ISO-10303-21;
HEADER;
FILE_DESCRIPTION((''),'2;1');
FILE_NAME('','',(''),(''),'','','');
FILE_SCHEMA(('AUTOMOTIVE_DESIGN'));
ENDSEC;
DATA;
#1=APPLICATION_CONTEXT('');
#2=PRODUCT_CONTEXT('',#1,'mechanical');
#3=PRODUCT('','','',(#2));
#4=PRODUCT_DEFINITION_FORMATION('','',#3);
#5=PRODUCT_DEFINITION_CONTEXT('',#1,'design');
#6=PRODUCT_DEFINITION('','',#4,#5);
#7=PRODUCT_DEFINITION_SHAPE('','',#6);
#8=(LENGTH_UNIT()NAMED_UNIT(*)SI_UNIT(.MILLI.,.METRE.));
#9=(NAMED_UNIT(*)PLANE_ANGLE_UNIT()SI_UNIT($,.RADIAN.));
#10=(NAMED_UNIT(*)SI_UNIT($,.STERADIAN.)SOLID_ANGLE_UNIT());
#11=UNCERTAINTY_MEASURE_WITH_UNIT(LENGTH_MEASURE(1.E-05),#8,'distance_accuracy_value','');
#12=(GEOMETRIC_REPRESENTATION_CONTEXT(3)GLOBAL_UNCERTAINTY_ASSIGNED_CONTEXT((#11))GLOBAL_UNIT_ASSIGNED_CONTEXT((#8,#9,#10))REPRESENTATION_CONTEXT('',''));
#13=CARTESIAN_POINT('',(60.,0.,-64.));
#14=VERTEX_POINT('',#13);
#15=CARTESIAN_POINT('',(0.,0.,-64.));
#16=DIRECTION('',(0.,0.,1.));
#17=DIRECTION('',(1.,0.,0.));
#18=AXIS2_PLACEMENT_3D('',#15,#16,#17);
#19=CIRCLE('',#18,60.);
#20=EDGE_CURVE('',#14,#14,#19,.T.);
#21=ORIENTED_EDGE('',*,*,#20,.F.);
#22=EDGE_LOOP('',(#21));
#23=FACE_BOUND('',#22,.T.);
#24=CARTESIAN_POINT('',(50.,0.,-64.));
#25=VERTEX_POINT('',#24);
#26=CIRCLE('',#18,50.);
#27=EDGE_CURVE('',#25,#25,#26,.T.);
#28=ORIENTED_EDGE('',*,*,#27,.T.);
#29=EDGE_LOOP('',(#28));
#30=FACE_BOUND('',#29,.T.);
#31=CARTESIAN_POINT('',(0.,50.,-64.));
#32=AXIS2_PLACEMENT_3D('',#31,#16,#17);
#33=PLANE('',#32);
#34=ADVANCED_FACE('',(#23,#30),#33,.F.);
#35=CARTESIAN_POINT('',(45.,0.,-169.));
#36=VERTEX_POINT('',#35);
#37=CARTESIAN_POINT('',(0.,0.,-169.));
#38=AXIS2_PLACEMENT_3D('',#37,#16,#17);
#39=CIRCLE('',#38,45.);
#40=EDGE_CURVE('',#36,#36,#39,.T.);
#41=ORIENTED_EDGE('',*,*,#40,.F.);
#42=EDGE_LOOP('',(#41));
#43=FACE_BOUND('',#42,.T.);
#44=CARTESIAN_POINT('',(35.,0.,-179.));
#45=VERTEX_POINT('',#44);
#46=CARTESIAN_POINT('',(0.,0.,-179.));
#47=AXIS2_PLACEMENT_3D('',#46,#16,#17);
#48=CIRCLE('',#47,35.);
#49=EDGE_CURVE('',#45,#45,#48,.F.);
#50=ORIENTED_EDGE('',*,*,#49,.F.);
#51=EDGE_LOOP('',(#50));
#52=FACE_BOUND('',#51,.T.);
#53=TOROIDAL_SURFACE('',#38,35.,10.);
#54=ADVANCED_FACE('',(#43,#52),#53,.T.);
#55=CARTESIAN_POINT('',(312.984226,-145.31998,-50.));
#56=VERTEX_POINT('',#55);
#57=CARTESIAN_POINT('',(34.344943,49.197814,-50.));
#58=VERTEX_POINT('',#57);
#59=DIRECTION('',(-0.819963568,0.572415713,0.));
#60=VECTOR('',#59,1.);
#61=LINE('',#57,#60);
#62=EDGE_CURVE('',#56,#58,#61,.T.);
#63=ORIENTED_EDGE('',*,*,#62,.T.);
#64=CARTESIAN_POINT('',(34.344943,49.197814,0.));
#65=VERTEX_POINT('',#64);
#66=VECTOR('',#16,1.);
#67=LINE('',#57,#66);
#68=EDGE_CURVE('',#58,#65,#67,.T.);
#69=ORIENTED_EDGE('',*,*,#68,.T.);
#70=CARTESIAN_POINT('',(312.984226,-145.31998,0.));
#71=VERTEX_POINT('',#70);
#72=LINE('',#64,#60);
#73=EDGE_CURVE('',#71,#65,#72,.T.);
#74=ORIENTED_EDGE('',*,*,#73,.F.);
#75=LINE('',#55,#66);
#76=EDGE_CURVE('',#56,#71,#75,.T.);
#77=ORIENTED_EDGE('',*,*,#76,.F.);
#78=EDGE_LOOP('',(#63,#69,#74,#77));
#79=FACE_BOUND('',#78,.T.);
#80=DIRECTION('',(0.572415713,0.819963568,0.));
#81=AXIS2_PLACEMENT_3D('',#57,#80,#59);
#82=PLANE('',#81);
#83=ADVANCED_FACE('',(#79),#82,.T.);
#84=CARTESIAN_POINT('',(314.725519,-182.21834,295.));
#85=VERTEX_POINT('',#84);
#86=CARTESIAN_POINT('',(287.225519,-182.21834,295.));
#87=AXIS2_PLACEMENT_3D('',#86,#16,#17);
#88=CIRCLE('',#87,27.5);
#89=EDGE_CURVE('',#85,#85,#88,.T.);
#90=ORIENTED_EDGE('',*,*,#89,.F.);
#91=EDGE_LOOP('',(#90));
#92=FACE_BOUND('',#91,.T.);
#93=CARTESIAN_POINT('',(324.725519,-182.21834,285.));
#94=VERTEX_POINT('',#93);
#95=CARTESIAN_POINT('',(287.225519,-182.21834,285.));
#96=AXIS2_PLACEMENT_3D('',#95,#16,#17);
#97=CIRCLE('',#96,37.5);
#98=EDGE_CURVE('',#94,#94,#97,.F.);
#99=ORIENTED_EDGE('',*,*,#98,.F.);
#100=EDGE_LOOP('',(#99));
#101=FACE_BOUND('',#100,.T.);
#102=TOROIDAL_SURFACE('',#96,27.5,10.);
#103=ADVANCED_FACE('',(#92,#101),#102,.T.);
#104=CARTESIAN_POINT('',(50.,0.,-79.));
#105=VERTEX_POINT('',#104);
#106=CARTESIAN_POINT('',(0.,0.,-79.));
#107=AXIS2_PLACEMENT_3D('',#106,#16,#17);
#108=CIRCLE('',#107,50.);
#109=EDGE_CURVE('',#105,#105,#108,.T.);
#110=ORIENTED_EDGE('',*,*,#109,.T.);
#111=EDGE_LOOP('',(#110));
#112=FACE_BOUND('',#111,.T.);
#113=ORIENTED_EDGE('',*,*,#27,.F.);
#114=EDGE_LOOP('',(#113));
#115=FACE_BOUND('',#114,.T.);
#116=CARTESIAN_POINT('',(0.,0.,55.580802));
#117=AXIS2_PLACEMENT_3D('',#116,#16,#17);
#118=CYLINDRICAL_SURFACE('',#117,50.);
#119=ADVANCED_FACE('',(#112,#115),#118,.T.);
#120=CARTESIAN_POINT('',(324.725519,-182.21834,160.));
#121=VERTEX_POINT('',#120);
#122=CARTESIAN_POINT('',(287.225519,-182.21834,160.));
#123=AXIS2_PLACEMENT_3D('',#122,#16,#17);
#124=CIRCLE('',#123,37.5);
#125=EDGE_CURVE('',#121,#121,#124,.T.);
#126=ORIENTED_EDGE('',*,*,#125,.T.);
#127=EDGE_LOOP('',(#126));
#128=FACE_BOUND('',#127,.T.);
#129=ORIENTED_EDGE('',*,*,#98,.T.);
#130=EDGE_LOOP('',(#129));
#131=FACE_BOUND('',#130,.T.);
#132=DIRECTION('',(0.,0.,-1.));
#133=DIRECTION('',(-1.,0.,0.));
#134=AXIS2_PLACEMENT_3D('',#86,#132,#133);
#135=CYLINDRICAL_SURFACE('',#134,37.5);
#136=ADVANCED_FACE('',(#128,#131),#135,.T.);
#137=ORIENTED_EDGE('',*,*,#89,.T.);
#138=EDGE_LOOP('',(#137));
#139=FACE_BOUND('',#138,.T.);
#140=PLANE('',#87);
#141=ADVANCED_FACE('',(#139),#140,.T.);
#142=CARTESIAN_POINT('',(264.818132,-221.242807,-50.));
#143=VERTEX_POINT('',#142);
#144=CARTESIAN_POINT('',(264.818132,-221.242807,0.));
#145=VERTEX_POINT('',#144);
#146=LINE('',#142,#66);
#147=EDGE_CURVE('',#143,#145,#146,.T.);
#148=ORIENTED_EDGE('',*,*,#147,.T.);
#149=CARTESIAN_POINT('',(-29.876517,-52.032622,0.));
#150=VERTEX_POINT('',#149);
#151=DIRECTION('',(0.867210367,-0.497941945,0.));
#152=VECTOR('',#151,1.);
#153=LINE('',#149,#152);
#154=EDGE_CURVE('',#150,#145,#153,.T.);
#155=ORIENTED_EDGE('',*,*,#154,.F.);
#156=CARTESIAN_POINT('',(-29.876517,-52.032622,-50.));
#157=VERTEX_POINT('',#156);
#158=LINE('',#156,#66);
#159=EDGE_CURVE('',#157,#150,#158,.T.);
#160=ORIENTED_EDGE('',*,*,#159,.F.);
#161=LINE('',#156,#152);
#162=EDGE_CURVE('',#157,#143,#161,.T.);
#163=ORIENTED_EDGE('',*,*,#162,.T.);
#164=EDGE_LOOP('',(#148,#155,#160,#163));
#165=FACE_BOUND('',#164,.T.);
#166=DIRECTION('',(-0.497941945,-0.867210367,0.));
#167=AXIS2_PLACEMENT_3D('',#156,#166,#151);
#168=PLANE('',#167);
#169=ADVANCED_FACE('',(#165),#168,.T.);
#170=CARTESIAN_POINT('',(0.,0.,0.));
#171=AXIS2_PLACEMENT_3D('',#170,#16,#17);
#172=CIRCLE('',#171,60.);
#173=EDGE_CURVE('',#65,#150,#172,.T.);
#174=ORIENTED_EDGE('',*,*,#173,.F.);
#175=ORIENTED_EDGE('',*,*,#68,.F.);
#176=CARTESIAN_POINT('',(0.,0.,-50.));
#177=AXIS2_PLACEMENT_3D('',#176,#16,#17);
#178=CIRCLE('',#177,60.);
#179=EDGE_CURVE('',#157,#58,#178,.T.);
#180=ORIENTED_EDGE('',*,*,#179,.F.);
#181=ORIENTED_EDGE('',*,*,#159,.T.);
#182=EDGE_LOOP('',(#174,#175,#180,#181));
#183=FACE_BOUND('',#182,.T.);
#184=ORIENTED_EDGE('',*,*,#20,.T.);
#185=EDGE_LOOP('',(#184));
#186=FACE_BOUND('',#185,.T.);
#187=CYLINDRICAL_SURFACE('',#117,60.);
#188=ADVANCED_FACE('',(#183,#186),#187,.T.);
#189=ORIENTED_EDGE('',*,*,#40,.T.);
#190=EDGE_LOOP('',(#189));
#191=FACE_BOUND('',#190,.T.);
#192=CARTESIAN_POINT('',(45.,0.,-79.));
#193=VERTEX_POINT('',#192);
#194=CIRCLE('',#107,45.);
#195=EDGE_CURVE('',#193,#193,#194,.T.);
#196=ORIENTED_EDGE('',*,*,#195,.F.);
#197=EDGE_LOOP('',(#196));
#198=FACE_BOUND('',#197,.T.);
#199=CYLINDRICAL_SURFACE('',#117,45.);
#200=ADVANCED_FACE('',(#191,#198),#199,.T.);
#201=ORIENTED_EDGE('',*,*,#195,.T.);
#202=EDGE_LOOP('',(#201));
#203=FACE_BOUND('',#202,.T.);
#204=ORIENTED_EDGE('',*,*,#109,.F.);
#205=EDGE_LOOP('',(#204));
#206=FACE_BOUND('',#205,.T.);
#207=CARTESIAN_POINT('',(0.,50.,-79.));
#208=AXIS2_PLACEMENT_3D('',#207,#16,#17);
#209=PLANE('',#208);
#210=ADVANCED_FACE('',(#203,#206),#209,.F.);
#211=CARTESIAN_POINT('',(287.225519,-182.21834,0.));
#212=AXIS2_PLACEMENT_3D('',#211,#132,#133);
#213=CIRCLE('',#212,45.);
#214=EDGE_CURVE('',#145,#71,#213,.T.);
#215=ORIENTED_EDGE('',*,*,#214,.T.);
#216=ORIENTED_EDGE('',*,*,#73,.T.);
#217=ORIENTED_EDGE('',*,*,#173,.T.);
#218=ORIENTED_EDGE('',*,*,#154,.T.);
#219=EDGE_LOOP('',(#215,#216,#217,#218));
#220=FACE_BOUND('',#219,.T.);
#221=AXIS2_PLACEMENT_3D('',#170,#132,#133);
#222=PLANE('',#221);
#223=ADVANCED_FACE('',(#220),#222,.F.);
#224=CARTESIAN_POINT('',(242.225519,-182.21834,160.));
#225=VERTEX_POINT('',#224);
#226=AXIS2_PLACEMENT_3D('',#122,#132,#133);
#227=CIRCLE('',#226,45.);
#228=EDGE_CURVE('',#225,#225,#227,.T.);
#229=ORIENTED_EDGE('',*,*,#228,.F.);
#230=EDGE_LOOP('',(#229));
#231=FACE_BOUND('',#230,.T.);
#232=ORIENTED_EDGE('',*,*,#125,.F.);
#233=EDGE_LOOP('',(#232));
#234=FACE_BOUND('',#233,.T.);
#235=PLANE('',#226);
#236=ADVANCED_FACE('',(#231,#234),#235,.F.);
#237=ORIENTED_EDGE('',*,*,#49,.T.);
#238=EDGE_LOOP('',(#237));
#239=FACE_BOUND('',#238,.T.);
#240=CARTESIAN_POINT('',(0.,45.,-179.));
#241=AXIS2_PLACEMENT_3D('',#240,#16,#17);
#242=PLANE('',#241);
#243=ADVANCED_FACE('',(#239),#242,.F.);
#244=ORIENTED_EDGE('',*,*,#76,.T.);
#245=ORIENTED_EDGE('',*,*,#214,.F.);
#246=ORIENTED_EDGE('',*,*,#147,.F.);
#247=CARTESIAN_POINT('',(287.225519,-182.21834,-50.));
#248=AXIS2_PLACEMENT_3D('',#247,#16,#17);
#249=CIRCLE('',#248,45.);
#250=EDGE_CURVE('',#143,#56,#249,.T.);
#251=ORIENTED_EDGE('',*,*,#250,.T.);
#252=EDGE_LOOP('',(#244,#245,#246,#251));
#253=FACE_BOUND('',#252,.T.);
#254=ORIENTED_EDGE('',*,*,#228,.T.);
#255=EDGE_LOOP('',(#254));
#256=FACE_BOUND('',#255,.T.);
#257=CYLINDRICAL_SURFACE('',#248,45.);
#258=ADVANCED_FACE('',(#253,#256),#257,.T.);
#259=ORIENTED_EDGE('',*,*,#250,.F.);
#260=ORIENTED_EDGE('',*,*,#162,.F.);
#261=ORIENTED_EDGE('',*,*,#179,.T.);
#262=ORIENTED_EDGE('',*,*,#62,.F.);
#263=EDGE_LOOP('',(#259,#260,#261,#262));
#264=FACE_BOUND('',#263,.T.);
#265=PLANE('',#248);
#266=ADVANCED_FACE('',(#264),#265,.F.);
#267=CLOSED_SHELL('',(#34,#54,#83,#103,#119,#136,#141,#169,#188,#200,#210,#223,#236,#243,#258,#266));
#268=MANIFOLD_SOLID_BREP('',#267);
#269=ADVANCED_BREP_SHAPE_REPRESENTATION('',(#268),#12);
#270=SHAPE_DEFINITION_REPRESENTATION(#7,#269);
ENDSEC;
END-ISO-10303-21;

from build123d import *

# Parameters (mm, degrees)
Y_KSEKLIK_EKSTR_ZYON2_DEPTH = 50
IZIM3_R                     = 45
Y_KSEKLIK_EKSTR_ZYON3_DEPTH = 210
IZIM4_R                     = 37.5
Y_KSEKLIK_EKSTR_ZYON4_DEPTH = 135
RADYUS1_R                   = 10


with BuildPart() as part:
    # Çizim1 → Döndür1 (revolve)
    with BuildSketch(Plane(origin=(0, 0, 0), x_dir=(0, 0, -1), z_dir=(1, 0, 0)), mode=Mode.PRIVATE) as d_nd_r1_sk:
        Polygon((0, 0), (0, 60), (64, 60), (64, 50), (79, 50), (79, 45), (179, 45), (179, 0), align=None)
    revolve(d_nd_r1_sk.sketch.rotate(Axis((0, 0, 55.580802483), (0, 0, -1)), 90), axis=Axis((0, 0, 55.580802483), (0, 0, -1)))

    # Çizim2 → Yükseklik-Ekstrüzyon2 (add)
    with BuildSketch(Plane.XY):
        with BuildLine():
            Line((34.344942753, 49.19781405), (312.984226436, -145.319979709))
            ThreePointArc((312.984226436, -145.319979709), (325.22389765, -206.324838294), (264.818131867, -221.242806741))
            Line((264.818131867, -221.242806741), (-29.876516673, -52.032621993))
            Line((-29.876516673, -52.032621993), (34.344942753, 49.19781405))
        make_face()
    extrude(amount=-Y_KSEKLIK_EKSTR_ZYON2_DEPTH)

    # Çizim3 → Yükseklik-Ekstrüzyon3 (add)
    with BuildSketch(Plane(origin=(0, 0, -50), x_dir=(-1, 0, 0), z_dir=(0, 0, -1))):
        with Locations(Location((-287.225519371, -182.218340246, 0), (0, 0, 124.918853114))):
            Circle(IZIM3_R)
    extrude(amount=-Y_KSEKLIK_EKSTR_ZYON3_DEPTH)

    # Çizim4 → Yükseklik-Ekstrüzyon4 (add)
    with BuildSketch(Plane.XY.offset(160)):
        with Locations((287.225519371, -182.218340246)):
            Circle(IZIM4_R)
    extrude(amount=Y_KSEKLIK_EKSTR_ZYON4_DEPTH)

    # Radyus1
    radyus1_edges = [part.edges().sort_by_distance(p)[0] for p in [
        (249.725519371, -182.218340246, 295),
        (-45, 0, -179),
    ]]
    fillet(radyus1_edges, radius=RADYUS1_R)


solid = part.part
